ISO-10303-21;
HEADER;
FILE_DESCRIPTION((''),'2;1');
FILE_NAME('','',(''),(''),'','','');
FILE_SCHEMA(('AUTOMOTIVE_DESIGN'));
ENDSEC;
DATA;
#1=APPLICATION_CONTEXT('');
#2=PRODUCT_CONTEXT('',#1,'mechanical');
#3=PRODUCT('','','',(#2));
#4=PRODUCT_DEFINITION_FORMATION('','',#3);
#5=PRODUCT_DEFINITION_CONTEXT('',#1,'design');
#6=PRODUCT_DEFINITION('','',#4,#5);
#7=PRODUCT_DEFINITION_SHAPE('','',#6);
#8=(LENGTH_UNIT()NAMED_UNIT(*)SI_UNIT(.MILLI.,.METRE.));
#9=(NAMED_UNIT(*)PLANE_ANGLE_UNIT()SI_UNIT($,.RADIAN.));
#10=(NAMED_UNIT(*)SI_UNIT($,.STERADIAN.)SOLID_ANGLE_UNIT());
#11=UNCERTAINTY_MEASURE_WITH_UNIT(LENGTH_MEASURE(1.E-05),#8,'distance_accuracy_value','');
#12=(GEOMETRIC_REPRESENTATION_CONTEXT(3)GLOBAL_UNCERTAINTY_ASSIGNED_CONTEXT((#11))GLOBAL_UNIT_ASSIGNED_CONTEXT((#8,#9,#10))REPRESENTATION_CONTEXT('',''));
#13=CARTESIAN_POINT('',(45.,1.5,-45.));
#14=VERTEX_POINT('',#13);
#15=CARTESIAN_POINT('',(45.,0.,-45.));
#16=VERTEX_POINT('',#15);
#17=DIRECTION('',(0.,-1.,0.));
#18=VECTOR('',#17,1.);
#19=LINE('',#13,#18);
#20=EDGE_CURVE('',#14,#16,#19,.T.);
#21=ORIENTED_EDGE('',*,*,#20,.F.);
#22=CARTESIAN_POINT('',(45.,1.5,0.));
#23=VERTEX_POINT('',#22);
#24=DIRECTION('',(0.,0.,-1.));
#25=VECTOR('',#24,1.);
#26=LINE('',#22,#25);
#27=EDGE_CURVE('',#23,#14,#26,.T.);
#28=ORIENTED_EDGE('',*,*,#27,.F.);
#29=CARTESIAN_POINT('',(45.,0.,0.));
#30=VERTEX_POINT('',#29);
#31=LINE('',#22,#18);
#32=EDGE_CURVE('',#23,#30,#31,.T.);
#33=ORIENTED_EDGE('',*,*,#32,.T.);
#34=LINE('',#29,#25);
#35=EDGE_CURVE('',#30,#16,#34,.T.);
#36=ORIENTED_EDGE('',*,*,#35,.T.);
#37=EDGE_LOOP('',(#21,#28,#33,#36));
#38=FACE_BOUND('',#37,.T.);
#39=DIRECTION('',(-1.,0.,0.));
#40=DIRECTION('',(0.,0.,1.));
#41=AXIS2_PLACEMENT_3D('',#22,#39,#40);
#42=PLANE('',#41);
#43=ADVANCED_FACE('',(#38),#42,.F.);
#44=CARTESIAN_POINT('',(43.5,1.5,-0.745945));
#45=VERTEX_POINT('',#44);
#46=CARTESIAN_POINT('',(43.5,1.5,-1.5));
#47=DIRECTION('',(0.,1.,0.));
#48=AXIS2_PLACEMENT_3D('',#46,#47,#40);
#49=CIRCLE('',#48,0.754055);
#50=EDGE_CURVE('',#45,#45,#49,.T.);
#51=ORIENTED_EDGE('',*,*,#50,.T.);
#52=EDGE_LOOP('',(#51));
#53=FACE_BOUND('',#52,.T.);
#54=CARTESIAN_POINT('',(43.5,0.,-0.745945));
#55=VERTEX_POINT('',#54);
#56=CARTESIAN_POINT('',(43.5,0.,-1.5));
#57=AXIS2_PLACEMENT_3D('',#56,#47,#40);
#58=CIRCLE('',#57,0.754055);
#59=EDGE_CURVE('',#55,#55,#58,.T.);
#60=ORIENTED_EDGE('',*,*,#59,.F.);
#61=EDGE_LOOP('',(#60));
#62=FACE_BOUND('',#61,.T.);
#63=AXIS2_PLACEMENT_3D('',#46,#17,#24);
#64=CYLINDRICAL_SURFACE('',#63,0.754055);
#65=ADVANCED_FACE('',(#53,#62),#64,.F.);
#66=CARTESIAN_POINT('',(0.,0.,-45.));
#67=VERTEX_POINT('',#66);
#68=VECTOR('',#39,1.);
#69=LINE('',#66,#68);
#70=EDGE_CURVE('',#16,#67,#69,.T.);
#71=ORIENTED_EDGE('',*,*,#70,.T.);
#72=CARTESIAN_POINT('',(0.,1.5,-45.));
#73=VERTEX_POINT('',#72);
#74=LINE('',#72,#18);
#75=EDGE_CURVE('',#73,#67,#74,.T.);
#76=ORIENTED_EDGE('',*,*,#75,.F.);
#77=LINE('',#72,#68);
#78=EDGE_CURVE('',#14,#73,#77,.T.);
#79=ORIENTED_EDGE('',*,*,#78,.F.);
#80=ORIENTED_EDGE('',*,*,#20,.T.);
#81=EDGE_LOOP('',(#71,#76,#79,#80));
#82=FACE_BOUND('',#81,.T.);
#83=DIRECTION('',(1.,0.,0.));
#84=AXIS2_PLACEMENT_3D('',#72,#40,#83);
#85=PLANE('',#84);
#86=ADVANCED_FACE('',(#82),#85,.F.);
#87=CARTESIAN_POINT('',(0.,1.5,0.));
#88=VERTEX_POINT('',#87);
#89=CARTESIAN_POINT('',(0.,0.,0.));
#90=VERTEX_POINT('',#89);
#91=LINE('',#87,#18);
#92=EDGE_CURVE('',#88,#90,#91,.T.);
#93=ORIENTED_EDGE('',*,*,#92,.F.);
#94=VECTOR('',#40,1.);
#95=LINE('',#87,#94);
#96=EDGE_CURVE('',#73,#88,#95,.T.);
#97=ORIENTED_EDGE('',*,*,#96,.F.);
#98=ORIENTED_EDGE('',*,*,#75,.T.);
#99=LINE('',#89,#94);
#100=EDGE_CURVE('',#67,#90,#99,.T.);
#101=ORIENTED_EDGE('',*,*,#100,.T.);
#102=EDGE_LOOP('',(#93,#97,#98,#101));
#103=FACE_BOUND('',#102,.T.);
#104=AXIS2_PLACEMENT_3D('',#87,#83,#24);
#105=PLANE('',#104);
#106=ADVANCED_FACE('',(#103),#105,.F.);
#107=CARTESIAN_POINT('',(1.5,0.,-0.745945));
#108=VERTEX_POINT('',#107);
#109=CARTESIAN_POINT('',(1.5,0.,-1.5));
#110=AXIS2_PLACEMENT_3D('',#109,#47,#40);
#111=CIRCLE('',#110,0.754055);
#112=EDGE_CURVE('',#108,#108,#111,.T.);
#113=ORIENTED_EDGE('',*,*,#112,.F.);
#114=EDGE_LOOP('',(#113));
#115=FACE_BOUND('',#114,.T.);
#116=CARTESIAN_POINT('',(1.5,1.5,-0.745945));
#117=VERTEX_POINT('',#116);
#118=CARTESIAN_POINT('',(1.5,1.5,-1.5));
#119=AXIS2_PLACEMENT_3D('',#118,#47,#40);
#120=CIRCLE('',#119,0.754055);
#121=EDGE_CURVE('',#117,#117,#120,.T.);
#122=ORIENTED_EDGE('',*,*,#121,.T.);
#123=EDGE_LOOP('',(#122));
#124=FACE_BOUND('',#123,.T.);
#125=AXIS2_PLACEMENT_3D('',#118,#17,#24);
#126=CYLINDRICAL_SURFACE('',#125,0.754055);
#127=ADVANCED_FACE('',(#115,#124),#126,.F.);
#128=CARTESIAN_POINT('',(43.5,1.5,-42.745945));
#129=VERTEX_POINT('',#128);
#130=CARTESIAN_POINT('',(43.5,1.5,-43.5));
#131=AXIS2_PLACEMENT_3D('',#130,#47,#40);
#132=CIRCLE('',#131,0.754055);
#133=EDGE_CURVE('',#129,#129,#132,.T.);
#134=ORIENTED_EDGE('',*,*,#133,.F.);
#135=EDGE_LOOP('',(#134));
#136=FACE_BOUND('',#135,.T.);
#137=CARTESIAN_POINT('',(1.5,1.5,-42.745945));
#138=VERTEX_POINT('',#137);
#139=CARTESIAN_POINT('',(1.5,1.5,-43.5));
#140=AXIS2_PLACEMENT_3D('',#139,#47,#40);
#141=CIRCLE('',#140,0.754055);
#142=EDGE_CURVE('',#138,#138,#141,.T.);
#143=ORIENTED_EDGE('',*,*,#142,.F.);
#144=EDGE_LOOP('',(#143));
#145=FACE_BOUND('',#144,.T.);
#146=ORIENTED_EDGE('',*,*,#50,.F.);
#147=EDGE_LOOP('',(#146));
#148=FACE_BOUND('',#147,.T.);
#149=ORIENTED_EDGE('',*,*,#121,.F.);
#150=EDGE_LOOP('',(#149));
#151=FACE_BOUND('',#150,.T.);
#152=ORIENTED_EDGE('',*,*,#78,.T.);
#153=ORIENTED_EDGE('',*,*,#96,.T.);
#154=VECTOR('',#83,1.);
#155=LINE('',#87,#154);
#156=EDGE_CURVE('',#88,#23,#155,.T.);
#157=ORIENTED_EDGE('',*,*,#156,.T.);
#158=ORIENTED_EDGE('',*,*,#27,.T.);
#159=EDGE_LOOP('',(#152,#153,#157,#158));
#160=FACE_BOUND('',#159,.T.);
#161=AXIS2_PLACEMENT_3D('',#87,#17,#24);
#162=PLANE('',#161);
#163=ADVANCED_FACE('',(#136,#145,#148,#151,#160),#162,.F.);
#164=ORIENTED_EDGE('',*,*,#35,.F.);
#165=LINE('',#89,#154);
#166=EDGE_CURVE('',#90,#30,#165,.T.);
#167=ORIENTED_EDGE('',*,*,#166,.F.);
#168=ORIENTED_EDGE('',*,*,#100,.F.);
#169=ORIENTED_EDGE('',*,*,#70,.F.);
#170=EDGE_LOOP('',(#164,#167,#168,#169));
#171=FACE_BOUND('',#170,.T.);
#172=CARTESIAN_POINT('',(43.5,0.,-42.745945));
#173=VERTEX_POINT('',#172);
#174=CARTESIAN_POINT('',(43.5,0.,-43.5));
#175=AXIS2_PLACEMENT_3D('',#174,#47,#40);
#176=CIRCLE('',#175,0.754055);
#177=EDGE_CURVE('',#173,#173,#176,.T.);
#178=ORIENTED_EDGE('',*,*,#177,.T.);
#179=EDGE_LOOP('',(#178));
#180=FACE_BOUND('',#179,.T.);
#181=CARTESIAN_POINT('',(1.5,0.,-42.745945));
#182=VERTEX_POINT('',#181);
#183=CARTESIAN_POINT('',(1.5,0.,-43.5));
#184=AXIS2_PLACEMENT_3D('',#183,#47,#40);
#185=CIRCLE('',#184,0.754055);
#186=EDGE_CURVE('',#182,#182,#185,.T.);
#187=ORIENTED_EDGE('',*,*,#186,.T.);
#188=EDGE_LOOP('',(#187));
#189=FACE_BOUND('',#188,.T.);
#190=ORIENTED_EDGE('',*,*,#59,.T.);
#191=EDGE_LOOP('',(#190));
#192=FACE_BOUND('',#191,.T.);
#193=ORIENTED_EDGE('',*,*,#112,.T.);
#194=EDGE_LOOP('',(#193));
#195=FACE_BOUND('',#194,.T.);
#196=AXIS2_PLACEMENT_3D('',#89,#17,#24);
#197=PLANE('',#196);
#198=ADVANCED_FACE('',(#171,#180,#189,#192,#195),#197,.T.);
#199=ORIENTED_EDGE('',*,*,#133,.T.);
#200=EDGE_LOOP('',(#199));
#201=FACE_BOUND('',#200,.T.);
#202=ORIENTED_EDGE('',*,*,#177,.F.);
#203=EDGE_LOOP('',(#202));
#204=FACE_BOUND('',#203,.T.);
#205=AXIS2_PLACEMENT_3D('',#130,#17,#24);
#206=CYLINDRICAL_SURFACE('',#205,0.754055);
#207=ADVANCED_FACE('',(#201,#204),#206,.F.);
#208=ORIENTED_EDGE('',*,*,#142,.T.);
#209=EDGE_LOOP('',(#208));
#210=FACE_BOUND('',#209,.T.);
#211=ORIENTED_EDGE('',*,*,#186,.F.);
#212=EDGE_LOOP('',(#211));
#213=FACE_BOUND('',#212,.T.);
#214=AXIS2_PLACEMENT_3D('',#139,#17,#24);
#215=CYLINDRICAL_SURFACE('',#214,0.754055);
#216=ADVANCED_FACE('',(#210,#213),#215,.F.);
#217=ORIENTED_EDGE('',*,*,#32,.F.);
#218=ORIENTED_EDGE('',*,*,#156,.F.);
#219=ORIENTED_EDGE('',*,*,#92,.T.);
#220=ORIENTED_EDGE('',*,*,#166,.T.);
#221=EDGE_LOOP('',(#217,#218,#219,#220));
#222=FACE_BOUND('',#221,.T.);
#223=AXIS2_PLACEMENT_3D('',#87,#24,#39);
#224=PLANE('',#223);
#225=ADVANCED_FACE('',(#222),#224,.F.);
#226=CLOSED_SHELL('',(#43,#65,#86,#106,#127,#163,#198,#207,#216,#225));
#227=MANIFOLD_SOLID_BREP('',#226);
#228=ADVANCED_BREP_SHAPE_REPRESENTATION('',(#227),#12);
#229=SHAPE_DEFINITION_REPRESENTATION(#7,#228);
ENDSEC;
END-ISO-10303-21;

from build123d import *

# Parameters (mm, degrees)
SKETCH1_W           = 45
SKETCH1_H           = 45
SKETCH1_R           = 0.754054512
BOSS_EXTRUDE1_DEPTH = 1.5


with BuildPart() as part:
    # Sketch1 → Boss-Extrude1 (new body)
    with BuildSketch(Plane(origin=(0, 0, 0), x_dir=(1, 0, 0), z_dir=(0, 1, 0))):
        with Locations((22.5, 22.5)):
            Rectangle(SKETCH1_W, SKETCH1_H)
        with Locations((1.5, 1.5)):
            Circle(SKETCH1_R, mode=Mode.SUBTRACT)
        with Locations((1.5, 43.5)):
            Circle(SKETCH1_R, mode=Mode.SUBTRACT)
        with Locations((43.5, 43.5)):
            Circle(SKETCH1_R, mode=Mode.SUBTRACT)
        with Locations((43.5, 1.5)):
            Circle(SKETCH1_R, mode=Mode.SUBTRACT)
    extrude(amount=BOSS_EXTRUDE1_DEPTH)


solid = part.part
